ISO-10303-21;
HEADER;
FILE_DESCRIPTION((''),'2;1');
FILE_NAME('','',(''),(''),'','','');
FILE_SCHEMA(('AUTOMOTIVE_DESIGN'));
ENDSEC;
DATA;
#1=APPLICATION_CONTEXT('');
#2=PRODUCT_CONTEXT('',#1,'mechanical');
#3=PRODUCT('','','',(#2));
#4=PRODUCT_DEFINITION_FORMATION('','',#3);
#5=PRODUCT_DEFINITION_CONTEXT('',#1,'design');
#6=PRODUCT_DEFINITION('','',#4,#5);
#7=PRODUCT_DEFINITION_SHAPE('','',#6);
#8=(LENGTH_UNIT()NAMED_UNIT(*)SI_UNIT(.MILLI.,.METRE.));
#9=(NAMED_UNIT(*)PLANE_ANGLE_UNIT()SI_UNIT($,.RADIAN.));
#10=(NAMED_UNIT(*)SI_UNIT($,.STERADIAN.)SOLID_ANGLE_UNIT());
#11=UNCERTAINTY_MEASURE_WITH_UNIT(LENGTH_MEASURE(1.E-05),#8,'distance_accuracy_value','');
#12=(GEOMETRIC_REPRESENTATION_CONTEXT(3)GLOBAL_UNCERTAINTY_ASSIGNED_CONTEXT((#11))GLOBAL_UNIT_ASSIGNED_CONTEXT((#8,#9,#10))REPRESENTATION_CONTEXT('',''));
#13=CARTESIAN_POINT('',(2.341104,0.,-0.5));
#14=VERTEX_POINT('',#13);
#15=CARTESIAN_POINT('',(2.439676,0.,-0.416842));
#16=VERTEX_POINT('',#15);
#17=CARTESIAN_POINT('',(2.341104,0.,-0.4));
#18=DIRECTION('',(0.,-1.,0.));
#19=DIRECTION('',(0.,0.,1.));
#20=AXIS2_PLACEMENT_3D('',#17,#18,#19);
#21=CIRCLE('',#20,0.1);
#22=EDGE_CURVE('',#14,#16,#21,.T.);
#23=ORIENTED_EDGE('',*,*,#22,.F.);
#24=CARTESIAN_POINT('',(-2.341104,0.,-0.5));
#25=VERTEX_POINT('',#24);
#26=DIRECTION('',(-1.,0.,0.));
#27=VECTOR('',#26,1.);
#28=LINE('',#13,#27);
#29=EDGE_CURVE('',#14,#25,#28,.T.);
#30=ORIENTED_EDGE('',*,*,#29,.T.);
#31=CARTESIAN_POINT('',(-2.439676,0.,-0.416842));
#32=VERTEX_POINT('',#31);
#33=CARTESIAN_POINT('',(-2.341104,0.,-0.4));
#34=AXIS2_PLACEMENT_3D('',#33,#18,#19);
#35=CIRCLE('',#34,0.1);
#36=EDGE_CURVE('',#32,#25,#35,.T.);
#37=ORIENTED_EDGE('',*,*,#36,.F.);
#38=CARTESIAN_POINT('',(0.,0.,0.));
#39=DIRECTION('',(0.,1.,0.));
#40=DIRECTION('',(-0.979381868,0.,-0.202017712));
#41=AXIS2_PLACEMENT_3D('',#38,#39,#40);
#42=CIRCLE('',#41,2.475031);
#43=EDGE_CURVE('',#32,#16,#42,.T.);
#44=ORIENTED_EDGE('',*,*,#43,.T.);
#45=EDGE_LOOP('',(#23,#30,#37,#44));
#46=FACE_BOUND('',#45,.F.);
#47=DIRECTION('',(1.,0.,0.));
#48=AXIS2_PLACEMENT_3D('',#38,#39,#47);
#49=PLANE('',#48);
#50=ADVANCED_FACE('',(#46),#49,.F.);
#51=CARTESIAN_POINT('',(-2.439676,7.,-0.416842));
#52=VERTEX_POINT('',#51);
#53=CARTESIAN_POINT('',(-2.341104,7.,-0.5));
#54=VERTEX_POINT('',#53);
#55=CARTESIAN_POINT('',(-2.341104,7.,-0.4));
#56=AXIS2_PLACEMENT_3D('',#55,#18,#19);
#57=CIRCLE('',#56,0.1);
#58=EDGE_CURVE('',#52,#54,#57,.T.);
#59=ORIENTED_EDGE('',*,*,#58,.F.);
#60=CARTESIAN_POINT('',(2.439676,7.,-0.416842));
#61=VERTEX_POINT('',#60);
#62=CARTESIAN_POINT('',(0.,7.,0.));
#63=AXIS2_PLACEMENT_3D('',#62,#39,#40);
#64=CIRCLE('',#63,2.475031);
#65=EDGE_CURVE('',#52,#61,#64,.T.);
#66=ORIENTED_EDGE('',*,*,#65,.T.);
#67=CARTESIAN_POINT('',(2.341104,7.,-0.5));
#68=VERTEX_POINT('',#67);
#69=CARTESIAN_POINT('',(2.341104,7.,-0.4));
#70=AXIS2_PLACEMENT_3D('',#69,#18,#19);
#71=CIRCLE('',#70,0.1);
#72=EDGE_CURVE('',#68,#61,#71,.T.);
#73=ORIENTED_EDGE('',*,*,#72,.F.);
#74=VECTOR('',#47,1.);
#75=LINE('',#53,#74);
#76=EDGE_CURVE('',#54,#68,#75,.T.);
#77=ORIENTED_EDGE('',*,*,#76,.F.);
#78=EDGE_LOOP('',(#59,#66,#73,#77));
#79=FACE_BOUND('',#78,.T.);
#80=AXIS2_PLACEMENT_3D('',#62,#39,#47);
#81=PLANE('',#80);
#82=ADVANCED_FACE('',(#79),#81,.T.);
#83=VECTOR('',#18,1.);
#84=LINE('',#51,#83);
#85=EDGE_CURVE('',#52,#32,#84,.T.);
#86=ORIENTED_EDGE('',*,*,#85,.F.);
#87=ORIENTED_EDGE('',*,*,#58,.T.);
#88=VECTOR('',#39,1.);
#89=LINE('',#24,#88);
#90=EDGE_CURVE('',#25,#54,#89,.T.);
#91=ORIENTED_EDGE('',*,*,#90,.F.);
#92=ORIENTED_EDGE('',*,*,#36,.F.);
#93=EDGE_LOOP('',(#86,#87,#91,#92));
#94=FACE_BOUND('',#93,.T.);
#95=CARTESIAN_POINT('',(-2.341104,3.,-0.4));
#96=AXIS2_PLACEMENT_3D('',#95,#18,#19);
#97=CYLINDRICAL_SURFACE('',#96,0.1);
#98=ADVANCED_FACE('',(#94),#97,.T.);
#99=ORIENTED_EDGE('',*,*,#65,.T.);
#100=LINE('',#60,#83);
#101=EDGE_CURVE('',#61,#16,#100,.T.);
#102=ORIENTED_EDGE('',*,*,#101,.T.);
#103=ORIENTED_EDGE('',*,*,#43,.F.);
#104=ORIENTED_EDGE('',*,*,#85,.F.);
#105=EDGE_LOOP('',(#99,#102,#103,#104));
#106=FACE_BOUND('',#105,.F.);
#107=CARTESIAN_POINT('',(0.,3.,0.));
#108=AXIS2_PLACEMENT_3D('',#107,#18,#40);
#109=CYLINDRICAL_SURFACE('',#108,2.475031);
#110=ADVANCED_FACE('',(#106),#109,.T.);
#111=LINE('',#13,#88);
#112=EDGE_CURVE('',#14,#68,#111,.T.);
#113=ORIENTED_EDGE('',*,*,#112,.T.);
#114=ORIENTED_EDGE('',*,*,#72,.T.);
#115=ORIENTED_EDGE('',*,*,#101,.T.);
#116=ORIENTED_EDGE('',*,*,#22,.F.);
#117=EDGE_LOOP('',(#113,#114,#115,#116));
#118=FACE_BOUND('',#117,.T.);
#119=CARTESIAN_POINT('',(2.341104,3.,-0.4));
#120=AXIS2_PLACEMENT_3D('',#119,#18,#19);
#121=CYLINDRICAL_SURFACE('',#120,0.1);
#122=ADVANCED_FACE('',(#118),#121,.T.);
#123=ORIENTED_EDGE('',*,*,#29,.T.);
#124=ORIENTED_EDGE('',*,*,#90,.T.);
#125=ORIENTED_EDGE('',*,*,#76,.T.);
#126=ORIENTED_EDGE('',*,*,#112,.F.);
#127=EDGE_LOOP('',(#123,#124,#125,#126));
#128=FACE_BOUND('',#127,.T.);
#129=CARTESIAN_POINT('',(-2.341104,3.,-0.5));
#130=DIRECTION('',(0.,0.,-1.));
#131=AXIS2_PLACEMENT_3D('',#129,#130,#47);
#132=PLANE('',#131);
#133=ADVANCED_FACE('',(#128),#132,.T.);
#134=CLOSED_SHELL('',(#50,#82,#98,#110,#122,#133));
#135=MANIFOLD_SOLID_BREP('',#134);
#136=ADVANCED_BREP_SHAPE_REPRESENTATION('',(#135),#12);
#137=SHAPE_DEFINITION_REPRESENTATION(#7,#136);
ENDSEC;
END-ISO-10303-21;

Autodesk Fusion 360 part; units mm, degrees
sketch "Sketch1" plane through (0, 0, 0) normal (0, 1, 0) x (1, 0, 0)
  line L0 (0, 0) -> (0, 0.5)
  line L1 (0, 0.5) -> (0.1389, 0.5)
  line L2 (0.1389, 0.5) -> (2.424, 0.5)
  line L3 (0, 0.5) -> (-2.424, 0.5)
  arc A0 (-2.424, 0.5) -> (2.424, 0.5) centre (0, 0) ccw
  dimension "d1" = 4.95
  dimension "d2" = 0.5
extrude "Extrude1" add sketch "Sketch1" along normal blind 3
fillet "Fillet1" radius 0.1 2 edges at (2.424, 1.5, -0.5) (-2.424, 1.5, -0.5)
extrude "Extrude2" add 1 faces at (0, 3, 0.4917) along direction (0, 1, 0) blind 4
